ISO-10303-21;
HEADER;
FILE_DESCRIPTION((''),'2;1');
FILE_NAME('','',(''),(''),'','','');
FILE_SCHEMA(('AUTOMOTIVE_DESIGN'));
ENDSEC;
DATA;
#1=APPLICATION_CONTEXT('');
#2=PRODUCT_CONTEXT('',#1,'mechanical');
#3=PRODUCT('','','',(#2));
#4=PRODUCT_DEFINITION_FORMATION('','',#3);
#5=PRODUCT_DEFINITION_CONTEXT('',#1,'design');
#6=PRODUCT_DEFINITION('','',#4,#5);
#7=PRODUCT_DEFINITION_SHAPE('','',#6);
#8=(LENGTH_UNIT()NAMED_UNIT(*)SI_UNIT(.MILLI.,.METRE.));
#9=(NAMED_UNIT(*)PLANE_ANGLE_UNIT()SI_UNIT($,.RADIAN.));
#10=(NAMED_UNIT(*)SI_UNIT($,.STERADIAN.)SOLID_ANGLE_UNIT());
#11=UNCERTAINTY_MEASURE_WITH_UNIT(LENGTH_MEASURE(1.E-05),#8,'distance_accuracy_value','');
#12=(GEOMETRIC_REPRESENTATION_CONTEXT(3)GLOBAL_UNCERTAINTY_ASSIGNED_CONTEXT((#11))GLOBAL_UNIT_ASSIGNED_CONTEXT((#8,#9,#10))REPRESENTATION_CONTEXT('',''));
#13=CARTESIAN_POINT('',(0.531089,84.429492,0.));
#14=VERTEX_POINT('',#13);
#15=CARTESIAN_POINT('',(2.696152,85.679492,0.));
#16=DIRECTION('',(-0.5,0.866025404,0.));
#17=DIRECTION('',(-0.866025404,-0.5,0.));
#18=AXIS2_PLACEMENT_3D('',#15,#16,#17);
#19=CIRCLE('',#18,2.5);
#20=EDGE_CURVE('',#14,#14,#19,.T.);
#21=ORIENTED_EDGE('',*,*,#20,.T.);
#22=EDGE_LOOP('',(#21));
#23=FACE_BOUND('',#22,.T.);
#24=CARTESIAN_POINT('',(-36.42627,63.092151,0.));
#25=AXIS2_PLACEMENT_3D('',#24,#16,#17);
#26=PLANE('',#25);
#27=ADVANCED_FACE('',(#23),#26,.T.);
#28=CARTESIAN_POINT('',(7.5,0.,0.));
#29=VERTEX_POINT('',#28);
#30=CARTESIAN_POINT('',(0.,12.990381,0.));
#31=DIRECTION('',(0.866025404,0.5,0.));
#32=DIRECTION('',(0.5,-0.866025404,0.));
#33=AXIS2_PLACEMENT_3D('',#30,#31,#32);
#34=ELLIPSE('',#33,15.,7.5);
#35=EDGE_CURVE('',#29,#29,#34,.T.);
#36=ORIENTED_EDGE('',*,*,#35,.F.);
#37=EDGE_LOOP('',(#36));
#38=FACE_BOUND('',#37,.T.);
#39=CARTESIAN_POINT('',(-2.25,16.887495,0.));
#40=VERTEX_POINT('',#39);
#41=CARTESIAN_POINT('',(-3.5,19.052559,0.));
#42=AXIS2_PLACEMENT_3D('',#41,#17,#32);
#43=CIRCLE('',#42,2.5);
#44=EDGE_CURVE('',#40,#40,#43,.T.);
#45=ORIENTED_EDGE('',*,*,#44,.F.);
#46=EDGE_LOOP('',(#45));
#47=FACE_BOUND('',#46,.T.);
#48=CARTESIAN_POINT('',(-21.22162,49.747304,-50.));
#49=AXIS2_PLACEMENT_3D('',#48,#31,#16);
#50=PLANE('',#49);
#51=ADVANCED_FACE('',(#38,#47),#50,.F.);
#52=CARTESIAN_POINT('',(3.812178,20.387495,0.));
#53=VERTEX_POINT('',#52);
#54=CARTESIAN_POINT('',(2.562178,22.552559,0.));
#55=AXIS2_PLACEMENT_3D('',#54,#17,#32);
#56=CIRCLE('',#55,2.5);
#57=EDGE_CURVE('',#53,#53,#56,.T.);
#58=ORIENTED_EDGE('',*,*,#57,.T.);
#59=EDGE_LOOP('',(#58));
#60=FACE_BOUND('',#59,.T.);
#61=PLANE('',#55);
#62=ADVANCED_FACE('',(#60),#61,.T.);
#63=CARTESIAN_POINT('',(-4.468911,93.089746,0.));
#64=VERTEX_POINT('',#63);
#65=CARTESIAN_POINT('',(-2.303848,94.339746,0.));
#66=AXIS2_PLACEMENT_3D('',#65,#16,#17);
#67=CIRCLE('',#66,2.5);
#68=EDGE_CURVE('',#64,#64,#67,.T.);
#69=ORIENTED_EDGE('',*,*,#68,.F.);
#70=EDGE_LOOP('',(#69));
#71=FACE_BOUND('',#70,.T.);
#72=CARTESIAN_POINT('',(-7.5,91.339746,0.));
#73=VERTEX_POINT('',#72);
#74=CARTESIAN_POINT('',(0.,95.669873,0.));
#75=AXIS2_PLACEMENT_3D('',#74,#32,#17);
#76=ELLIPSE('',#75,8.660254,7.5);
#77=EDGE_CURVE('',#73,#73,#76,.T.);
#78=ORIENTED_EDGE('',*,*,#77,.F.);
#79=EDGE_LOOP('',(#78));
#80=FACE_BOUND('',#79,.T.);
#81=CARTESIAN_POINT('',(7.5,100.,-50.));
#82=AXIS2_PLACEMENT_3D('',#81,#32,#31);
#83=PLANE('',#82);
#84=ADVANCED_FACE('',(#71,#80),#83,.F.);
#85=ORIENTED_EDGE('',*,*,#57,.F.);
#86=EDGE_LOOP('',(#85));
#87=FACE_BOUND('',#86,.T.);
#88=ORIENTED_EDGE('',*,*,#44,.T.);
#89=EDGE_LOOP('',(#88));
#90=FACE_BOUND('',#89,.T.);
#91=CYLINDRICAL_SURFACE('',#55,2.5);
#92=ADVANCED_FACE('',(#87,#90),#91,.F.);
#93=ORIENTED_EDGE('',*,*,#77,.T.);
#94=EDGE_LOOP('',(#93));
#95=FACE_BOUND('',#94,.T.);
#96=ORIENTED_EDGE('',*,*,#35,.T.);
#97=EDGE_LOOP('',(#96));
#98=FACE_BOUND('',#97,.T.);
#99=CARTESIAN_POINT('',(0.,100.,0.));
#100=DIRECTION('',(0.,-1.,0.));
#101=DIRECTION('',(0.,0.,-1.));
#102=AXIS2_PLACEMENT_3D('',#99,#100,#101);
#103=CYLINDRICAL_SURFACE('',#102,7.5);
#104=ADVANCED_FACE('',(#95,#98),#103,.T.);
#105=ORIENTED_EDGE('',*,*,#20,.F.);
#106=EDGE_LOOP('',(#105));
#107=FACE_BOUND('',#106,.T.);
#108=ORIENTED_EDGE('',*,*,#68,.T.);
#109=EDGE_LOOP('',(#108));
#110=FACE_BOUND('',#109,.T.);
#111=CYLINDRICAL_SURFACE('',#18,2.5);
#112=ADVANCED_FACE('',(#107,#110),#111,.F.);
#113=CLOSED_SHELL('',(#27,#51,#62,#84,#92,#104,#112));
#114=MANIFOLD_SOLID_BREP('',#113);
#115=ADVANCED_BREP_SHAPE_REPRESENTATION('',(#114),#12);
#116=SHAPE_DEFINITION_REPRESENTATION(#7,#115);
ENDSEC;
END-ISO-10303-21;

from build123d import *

# Parameters (mm, degrees)
SKETCH2_R           = 7.5
BOSS_EXTRUDE1_DEPTH = 100
CUT_EXTRUDE1_DEPTH  = 50
SKETCH4_R           = 2.5
CUT_EXTRUDE2_DEPTH  = 10
SKETCH5_R           = 2.5
CUT_EXTRUDE3_DEPTH  = 7


with BuildPart() as part:
    # Sketch2 → Boss-Extrude1 (new body)
    with BuildSketch(Plane(origin=(0, 0, 0), x_dir=(1, 0, 0), z_dir=(0, 1, 0))):
        with Locations(Location((0, 0, 0), (0, 0, 270))):
            Circle(SKETCH2_R)
    extrude(amount=BOSS_EXTRUDE1_DEPTH)

    # Sketch3 → Cut-Extrude1 (cut, symmetric)
    with BuildSketch(Plane.XY):
        Polygon((7.5, 0), (7.5, -12.76822714), (-21.221619576, -12.76822714), (-21.221619576, 49.747304381), align=None)
        Polygon((7.5, 100), (-17.243882573, 85.714112735), (-17.243882573, 115.180651771), (7.5, 115.180651771), align=None)
    extrude(amount=CUT_EXTRUDE1_DEPTH, both=True, mode=Mode.SUBTRACT)

    # Sketch4 → Cut-Extrude2 (cut)
    with BuildSketch(Plane(origin=(-41.426270189, 71.752404736, 0), x_dir=(0.8660254037844379, 0.5000000000000013, 0), z_dir=(-0.5000000000000013, 0.8660254037844379, 0))):
        with Locations(Location((45.174682453, 0, 0), (0, 0, 180))):
            Circle(SKETCH4_R)
    extrude(amount=-CUT_EXTRUDE2_DEPTH, mode=Mode.SUBTRACT)

    # Sketch5 → Cut-Extrude3 (cut)
    with BuildSketch(Plane(origin=(5.625, 3.247595264, 0), x_dir=(0, 0, 1), z_dir=(-0.8660254037844397, -0.4999999999999981, 0))):
        with Locations(Location((0, 18.25, 0), (0, 0, 270))):
            Circle(SKETCH5_R)
    extrude(amount=-CUT_EXTRUDE3_DEPTH, mode=Mode.SUBTRACT)


solid = part.part
